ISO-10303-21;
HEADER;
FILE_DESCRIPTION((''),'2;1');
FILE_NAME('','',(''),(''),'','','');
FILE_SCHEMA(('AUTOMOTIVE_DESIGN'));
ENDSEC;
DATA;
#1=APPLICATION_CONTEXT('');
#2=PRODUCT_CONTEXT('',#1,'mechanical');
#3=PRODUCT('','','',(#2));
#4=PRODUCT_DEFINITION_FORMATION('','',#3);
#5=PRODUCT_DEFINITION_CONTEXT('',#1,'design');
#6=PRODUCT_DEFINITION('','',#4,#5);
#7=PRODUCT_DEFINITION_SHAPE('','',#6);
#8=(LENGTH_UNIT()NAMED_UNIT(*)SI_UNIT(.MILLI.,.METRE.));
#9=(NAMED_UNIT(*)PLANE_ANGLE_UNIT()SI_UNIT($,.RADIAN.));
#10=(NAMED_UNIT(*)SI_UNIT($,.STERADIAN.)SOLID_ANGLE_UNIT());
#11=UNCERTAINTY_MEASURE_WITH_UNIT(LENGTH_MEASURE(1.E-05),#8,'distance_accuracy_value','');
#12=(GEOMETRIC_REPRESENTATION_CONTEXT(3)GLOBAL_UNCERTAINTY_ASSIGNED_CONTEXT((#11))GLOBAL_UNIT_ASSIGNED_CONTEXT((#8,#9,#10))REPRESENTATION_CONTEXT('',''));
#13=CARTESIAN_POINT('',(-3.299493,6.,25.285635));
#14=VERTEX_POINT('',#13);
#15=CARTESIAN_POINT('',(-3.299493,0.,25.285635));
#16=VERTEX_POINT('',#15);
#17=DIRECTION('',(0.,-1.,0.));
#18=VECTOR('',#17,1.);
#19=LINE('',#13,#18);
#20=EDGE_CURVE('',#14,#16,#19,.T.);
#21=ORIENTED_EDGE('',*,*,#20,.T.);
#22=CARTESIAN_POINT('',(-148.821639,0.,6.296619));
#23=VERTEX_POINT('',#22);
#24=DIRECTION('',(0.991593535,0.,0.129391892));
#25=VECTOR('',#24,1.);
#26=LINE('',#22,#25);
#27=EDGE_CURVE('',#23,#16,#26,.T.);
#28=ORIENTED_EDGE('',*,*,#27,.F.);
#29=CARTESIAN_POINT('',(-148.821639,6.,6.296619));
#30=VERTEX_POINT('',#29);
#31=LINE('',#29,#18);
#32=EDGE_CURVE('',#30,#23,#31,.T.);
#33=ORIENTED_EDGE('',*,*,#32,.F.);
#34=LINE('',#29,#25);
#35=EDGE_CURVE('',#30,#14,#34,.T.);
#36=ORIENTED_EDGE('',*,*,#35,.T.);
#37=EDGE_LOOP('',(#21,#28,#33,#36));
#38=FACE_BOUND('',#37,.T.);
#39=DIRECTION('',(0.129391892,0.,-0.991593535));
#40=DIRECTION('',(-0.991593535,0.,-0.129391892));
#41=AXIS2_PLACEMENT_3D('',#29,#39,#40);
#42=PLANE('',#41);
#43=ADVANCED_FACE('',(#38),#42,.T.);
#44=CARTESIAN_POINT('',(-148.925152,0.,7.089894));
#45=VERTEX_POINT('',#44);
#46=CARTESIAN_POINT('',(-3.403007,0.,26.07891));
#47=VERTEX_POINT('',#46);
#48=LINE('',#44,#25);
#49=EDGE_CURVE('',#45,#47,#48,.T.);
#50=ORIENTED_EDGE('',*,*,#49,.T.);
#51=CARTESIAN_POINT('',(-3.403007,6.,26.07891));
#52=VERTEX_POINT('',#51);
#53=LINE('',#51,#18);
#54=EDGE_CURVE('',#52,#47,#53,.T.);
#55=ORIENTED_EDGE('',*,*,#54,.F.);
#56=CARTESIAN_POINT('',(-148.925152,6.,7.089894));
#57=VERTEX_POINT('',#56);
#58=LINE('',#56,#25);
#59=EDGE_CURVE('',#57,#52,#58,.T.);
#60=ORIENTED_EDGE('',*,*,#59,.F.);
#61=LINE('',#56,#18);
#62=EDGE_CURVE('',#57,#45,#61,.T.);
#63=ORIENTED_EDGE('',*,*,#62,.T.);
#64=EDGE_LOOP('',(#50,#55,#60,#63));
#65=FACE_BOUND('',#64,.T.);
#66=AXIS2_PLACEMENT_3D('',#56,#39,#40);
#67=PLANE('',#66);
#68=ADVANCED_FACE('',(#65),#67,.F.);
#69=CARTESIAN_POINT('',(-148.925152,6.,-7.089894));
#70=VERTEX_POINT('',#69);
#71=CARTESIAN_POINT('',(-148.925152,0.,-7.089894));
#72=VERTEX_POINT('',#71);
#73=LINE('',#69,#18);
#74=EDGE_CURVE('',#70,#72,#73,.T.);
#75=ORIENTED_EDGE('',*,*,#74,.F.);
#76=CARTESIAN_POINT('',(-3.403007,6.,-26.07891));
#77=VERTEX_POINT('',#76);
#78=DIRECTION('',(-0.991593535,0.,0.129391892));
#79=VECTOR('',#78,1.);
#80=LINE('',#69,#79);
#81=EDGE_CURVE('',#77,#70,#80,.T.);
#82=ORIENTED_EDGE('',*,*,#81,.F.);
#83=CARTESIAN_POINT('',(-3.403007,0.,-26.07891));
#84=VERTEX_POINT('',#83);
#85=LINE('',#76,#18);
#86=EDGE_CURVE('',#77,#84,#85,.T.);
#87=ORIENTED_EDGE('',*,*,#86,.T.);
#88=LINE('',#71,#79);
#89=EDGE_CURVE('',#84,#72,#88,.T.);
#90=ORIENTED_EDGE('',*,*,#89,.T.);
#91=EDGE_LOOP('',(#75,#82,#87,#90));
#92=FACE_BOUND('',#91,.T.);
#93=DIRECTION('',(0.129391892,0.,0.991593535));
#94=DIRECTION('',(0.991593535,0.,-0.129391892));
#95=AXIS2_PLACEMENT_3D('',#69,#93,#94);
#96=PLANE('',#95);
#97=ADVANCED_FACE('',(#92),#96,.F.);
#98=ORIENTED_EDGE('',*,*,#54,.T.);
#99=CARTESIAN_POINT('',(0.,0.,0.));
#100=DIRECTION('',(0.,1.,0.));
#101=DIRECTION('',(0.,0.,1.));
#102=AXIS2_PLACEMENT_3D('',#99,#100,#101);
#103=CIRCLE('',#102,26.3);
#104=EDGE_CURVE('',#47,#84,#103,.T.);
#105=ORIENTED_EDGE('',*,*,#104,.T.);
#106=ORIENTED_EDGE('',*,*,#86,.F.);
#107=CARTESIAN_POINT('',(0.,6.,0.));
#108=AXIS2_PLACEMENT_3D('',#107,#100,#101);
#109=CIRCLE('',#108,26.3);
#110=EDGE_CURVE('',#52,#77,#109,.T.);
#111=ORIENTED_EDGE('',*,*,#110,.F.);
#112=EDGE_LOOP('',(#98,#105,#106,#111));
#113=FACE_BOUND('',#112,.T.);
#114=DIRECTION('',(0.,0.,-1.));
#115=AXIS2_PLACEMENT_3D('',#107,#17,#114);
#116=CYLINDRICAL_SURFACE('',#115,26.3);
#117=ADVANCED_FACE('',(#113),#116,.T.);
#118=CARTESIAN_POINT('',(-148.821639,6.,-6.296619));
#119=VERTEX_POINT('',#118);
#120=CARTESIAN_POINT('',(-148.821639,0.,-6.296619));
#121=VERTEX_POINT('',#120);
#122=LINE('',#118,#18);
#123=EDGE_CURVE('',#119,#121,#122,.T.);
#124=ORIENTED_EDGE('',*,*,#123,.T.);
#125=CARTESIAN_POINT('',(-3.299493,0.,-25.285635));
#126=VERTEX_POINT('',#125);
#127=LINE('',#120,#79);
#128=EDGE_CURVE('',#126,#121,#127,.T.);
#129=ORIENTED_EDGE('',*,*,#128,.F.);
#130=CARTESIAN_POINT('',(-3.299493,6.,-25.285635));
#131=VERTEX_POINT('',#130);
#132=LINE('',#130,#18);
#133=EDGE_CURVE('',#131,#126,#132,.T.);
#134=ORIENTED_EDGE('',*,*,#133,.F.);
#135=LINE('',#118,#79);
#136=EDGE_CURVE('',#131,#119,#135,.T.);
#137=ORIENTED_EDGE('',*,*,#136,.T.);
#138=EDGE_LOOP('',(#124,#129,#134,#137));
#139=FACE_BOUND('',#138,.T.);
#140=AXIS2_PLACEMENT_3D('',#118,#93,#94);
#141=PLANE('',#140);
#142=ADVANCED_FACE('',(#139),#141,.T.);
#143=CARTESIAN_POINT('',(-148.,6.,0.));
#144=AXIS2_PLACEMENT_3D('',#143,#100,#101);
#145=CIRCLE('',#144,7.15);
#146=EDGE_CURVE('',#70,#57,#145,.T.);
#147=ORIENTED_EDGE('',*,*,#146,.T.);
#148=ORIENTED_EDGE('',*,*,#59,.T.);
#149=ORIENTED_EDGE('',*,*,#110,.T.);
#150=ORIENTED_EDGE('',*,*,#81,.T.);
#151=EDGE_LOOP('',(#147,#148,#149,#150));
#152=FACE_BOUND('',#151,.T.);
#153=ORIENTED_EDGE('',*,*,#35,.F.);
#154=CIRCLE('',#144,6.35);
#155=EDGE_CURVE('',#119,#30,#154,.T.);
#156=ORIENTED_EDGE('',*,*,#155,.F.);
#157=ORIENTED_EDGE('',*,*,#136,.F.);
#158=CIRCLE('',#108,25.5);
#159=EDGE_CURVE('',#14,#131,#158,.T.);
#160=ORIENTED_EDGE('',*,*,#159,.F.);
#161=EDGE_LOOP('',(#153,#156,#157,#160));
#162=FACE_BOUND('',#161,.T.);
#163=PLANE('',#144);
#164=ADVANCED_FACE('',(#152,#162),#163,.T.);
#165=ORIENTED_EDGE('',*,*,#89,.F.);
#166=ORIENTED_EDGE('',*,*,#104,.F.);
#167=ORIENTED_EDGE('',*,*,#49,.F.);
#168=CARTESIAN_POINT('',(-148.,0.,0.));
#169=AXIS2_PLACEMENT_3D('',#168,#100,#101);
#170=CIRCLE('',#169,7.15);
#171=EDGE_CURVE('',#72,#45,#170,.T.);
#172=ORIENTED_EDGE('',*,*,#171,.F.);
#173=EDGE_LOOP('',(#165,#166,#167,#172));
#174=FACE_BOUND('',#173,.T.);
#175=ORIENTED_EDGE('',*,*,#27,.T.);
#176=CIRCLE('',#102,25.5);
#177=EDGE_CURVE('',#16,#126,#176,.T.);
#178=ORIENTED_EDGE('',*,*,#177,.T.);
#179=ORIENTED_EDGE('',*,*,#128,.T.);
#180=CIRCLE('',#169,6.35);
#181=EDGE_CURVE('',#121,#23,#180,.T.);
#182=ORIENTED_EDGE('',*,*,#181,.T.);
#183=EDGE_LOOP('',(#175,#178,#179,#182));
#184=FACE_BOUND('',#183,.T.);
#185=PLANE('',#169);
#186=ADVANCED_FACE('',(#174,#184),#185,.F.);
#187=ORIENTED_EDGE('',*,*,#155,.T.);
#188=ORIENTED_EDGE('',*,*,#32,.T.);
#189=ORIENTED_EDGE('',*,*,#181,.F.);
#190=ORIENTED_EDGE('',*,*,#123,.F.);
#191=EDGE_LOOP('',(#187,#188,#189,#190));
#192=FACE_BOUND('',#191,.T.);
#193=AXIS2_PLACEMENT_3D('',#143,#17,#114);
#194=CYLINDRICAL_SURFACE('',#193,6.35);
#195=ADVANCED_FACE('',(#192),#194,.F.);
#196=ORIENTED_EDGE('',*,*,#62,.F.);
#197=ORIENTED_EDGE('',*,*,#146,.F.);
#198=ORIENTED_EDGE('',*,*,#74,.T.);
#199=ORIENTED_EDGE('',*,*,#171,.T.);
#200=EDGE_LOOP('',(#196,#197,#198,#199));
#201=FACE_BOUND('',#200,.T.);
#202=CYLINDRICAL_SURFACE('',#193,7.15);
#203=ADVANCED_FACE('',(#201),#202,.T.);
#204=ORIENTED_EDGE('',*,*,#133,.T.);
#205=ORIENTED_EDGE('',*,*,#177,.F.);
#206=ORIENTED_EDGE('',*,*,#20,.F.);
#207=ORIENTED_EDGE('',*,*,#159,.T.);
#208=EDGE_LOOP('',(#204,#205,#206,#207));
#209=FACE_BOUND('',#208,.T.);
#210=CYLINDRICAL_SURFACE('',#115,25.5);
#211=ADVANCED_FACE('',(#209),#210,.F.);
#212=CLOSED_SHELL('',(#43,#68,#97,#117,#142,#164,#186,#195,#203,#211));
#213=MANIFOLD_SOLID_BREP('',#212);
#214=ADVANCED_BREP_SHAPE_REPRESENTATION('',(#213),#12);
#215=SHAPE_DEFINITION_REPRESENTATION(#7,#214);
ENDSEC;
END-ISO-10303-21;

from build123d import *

# Parameters (mm, degrees)
BOSS_EXTRUDE1_DEPTH = 6


with BuildPart() as part:
    # Sketch1 → Boss-Extrude1 (new body)
    with BuildSketch(Plane(origin=(0, 0, 0), x_dir=(1, 0, 0), z_dir=(0, 1, 0))):
        with BuildLine():
            Line((-148.925152027, 7.089893774), (-3.403006757, 26.078909966))
            ThreePointArc((-3.403006757, 26.078909966), (26.3, 0), (-3.403006757, -26.078909966))
            Line((-3.403006757, -26.078909966), (-148.925152027, -7.089893774))
            ThreePointArc((-148.925152027, -7.089893774), (-155.15, 0), (-148.925152027, 7.089893774))
        make_face()
        with BuildLine():
            Line((-148.821638514, 6.296618946), (-3.299493243, 25.285635138))
            ThreePointArc((-3.299493243, 25.285635138), (25.5, 0), (-3.299493243, -25.285635138))
            Line((-3.299493243, -25.285635138), (-148.821638514, -6.296618946))
            ThreePointArc((-148.821638514, -6.296618946), (-154.35, 0), (-148.821638514, 6.296618946))
        make_face(mode=Mode.SUBTRACT)
    extrude(amount=BOSS_EXTRUDE1_DEPTH)


solid = part.part
